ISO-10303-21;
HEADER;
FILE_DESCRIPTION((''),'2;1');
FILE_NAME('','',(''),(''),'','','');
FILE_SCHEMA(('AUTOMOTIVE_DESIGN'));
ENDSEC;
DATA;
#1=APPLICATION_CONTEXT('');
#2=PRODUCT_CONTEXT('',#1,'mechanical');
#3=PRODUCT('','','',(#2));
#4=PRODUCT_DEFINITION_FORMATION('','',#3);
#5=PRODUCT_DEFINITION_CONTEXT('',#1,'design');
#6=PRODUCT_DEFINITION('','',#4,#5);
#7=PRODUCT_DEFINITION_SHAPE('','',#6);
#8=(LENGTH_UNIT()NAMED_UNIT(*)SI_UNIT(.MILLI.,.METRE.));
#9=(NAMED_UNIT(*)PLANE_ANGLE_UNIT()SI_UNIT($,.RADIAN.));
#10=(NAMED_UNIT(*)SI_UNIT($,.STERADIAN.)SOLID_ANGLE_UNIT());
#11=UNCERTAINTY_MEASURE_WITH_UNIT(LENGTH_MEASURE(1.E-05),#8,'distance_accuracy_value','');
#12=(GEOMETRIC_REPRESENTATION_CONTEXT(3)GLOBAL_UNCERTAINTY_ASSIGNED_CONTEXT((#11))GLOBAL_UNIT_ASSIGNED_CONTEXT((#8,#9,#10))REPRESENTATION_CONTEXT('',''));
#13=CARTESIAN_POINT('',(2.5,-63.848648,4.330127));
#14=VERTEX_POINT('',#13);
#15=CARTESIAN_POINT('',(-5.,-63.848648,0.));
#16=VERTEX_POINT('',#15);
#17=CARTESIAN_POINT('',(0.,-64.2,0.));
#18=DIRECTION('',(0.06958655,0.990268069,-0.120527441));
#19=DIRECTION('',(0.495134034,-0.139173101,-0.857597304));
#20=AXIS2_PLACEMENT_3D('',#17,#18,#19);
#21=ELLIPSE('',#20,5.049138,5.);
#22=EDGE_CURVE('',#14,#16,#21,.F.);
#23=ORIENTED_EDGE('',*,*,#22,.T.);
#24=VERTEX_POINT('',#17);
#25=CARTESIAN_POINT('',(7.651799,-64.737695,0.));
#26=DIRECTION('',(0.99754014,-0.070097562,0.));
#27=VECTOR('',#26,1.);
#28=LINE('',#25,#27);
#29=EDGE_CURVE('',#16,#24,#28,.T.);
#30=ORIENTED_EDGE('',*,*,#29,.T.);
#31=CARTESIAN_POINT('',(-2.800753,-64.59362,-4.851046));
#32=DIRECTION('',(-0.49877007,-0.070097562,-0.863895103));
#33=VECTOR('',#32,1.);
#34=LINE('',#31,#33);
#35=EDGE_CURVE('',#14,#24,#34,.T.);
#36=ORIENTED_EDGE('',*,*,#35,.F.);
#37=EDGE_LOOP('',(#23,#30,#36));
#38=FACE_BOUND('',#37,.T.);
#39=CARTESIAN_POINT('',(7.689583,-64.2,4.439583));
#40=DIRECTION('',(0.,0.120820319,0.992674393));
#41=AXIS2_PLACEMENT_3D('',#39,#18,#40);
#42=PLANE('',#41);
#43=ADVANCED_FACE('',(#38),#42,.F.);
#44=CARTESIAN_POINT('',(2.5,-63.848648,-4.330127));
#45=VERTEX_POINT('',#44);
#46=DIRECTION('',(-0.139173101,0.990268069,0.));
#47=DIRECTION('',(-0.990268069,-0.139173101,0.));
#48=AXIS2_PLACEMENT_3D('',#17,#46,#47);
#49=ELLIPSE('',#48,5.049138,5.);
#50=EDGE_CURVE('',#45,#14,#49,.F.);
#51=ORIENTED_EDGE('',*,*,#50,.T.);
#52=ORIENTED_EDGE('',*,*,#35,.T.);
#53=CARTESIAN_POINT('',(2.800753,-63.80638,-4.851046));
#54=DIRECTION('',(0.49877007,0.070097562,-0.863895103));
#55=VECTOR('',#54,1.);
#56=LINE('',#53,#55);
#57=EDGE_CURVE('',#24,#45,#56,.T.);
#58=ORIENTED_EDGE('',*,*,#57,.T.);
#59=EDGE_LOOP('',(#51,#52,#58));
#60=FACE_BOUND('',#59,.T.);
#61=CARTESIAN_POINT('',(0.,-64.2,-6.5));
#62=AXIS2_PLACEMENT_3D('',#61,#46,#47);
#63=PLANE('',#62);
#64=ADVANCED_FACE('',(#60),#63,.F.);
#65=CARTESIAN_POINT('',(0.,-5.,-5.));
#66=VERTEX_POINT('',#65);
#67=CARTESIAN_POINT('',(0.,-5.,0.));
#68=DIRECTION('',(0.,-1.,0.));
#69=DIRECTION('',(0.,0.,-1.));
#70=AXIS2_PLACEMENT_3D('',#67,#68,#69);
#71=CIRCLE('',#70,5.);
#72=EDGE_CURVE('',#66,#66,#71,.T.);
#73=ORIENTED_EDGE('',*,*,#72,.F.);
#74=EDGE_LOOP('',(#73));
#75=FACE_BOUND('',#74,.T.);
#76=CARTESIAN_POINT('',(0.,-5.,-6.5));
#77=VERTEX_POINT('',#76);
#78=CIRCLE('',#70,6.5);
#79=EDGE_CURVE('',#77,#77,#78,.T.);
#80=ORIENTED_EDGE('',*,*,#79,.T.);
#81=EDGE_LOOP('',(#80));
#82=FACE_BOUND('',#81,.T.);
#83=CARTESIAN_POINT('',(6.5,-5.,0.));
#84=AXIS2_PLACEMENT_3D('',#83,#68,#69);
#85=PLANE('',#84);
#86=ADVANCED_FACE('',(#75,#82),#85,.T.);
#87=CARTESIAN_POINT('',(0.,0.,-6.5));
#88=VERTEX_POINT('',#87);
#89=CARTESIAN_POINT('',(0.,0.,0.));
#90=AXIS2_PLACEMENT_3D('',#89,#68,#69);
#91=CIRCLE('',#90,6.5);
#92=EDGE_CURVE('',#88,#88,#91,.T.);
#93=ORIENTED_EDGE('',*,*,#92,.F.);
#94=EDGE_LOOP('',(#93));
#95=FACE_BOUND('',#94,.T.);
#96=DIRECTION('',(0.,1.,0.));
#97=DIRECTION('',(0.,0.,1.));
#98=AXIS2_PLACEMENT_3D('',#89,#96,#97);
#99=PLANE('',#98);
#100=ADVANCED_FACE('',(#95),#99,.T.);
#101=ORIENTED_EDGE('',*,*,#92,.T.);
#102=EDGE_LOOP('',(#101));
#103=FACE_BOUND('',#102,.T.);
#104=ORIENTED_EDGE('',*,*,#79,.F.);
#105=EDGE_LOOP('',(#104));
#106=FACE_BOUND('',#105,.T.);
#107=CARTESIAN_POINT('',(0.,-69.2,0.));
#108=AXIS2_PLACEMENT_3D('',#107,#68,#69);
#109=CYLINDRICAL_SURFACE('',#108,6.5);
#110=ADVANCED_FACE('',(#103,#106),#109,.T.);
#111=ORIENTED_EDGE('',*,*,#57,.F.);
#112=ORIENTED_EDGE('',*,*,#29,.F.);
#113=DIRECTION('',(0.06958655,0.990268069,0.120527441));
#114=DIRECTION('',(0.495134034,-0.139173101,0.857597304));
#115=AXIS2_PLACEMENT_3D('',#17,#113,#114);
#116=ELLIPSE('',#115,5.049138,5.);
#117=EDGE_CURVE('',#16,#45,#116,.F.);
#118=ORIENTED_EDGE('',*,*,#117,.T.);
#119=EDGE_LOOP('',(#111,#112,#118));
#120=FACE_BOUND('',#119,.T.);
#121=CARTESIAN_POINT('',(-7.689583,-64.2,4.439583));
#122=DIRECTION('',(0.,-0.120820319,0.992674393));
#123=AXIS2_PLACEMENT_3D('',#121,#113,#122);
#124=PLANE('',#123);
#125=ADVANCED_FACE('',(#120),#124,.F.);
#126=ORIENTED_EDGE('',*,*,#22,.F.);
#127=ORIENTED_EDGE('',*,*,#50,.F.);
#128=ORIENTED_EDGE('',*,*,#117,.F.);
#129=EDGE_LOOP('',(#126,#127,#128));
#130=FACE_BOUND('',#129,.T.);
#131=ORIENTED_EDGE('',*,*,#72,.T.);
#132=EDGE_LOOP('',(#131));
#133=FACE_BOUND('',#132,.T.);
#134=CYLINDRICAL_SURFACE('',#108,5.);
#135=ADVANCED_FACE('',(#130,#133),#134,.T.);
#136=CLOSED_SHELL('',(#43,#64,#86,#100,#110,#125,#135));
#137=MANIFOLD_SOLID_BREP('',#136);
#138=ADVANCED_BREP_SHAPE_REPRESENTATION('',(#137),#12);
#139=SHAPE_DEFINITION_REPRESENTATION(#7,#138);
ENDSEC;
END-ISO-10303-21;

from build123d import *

# Parameters (mm, degrees)
CUT_EXTRUDE1_DEPTH = 65.854760812
CIRPATTERN1_COUNT  = 3


with BuildPart() as part:
    # Sketch1 → Revolve1 (revolve)
    with BuildSketch(Plane.XY, mode=Mode.PRIVATE) as revolve1_sk:
        Polygon((0, 0), (6.5, 0), (6.5, -5), (5, -5), (5, -64.2), (0, -64.2), align=None)
    revolve(revolve1_sk.sketch.rotate(Axis((0, -69.2, 0), (0, 1, 0)), 90), axis=Axis((0, -69.2, 0), (0, 1, 0)))

    # Sketch2 → Cut-Extrude1 (cut, symmetric)
    with BuildSketch(Plane.XY):
        Polygon((0, -64.2), (5, -63.497295826), (5, -64.2), align=None)
    cut_extrude1 = extrude(amount=CUT_EXTRUDE1_DEPTH, both=True, mode=Mode.SUBTRACT)

    # CirPattern1: Cut-Extrude1 ×3 about axis
    cirpattern1_axis = Axis((0, 0, 0), (0, 1, 0))
    for i in range(1, CIRPATTERN1_COUNT):
        add(cut_extrude1.rotate(cirpattern1_axis, i * 360 / CIRPATTERN1_COUNT), mode=Mode.SUBTRACT)


solid = part.part
